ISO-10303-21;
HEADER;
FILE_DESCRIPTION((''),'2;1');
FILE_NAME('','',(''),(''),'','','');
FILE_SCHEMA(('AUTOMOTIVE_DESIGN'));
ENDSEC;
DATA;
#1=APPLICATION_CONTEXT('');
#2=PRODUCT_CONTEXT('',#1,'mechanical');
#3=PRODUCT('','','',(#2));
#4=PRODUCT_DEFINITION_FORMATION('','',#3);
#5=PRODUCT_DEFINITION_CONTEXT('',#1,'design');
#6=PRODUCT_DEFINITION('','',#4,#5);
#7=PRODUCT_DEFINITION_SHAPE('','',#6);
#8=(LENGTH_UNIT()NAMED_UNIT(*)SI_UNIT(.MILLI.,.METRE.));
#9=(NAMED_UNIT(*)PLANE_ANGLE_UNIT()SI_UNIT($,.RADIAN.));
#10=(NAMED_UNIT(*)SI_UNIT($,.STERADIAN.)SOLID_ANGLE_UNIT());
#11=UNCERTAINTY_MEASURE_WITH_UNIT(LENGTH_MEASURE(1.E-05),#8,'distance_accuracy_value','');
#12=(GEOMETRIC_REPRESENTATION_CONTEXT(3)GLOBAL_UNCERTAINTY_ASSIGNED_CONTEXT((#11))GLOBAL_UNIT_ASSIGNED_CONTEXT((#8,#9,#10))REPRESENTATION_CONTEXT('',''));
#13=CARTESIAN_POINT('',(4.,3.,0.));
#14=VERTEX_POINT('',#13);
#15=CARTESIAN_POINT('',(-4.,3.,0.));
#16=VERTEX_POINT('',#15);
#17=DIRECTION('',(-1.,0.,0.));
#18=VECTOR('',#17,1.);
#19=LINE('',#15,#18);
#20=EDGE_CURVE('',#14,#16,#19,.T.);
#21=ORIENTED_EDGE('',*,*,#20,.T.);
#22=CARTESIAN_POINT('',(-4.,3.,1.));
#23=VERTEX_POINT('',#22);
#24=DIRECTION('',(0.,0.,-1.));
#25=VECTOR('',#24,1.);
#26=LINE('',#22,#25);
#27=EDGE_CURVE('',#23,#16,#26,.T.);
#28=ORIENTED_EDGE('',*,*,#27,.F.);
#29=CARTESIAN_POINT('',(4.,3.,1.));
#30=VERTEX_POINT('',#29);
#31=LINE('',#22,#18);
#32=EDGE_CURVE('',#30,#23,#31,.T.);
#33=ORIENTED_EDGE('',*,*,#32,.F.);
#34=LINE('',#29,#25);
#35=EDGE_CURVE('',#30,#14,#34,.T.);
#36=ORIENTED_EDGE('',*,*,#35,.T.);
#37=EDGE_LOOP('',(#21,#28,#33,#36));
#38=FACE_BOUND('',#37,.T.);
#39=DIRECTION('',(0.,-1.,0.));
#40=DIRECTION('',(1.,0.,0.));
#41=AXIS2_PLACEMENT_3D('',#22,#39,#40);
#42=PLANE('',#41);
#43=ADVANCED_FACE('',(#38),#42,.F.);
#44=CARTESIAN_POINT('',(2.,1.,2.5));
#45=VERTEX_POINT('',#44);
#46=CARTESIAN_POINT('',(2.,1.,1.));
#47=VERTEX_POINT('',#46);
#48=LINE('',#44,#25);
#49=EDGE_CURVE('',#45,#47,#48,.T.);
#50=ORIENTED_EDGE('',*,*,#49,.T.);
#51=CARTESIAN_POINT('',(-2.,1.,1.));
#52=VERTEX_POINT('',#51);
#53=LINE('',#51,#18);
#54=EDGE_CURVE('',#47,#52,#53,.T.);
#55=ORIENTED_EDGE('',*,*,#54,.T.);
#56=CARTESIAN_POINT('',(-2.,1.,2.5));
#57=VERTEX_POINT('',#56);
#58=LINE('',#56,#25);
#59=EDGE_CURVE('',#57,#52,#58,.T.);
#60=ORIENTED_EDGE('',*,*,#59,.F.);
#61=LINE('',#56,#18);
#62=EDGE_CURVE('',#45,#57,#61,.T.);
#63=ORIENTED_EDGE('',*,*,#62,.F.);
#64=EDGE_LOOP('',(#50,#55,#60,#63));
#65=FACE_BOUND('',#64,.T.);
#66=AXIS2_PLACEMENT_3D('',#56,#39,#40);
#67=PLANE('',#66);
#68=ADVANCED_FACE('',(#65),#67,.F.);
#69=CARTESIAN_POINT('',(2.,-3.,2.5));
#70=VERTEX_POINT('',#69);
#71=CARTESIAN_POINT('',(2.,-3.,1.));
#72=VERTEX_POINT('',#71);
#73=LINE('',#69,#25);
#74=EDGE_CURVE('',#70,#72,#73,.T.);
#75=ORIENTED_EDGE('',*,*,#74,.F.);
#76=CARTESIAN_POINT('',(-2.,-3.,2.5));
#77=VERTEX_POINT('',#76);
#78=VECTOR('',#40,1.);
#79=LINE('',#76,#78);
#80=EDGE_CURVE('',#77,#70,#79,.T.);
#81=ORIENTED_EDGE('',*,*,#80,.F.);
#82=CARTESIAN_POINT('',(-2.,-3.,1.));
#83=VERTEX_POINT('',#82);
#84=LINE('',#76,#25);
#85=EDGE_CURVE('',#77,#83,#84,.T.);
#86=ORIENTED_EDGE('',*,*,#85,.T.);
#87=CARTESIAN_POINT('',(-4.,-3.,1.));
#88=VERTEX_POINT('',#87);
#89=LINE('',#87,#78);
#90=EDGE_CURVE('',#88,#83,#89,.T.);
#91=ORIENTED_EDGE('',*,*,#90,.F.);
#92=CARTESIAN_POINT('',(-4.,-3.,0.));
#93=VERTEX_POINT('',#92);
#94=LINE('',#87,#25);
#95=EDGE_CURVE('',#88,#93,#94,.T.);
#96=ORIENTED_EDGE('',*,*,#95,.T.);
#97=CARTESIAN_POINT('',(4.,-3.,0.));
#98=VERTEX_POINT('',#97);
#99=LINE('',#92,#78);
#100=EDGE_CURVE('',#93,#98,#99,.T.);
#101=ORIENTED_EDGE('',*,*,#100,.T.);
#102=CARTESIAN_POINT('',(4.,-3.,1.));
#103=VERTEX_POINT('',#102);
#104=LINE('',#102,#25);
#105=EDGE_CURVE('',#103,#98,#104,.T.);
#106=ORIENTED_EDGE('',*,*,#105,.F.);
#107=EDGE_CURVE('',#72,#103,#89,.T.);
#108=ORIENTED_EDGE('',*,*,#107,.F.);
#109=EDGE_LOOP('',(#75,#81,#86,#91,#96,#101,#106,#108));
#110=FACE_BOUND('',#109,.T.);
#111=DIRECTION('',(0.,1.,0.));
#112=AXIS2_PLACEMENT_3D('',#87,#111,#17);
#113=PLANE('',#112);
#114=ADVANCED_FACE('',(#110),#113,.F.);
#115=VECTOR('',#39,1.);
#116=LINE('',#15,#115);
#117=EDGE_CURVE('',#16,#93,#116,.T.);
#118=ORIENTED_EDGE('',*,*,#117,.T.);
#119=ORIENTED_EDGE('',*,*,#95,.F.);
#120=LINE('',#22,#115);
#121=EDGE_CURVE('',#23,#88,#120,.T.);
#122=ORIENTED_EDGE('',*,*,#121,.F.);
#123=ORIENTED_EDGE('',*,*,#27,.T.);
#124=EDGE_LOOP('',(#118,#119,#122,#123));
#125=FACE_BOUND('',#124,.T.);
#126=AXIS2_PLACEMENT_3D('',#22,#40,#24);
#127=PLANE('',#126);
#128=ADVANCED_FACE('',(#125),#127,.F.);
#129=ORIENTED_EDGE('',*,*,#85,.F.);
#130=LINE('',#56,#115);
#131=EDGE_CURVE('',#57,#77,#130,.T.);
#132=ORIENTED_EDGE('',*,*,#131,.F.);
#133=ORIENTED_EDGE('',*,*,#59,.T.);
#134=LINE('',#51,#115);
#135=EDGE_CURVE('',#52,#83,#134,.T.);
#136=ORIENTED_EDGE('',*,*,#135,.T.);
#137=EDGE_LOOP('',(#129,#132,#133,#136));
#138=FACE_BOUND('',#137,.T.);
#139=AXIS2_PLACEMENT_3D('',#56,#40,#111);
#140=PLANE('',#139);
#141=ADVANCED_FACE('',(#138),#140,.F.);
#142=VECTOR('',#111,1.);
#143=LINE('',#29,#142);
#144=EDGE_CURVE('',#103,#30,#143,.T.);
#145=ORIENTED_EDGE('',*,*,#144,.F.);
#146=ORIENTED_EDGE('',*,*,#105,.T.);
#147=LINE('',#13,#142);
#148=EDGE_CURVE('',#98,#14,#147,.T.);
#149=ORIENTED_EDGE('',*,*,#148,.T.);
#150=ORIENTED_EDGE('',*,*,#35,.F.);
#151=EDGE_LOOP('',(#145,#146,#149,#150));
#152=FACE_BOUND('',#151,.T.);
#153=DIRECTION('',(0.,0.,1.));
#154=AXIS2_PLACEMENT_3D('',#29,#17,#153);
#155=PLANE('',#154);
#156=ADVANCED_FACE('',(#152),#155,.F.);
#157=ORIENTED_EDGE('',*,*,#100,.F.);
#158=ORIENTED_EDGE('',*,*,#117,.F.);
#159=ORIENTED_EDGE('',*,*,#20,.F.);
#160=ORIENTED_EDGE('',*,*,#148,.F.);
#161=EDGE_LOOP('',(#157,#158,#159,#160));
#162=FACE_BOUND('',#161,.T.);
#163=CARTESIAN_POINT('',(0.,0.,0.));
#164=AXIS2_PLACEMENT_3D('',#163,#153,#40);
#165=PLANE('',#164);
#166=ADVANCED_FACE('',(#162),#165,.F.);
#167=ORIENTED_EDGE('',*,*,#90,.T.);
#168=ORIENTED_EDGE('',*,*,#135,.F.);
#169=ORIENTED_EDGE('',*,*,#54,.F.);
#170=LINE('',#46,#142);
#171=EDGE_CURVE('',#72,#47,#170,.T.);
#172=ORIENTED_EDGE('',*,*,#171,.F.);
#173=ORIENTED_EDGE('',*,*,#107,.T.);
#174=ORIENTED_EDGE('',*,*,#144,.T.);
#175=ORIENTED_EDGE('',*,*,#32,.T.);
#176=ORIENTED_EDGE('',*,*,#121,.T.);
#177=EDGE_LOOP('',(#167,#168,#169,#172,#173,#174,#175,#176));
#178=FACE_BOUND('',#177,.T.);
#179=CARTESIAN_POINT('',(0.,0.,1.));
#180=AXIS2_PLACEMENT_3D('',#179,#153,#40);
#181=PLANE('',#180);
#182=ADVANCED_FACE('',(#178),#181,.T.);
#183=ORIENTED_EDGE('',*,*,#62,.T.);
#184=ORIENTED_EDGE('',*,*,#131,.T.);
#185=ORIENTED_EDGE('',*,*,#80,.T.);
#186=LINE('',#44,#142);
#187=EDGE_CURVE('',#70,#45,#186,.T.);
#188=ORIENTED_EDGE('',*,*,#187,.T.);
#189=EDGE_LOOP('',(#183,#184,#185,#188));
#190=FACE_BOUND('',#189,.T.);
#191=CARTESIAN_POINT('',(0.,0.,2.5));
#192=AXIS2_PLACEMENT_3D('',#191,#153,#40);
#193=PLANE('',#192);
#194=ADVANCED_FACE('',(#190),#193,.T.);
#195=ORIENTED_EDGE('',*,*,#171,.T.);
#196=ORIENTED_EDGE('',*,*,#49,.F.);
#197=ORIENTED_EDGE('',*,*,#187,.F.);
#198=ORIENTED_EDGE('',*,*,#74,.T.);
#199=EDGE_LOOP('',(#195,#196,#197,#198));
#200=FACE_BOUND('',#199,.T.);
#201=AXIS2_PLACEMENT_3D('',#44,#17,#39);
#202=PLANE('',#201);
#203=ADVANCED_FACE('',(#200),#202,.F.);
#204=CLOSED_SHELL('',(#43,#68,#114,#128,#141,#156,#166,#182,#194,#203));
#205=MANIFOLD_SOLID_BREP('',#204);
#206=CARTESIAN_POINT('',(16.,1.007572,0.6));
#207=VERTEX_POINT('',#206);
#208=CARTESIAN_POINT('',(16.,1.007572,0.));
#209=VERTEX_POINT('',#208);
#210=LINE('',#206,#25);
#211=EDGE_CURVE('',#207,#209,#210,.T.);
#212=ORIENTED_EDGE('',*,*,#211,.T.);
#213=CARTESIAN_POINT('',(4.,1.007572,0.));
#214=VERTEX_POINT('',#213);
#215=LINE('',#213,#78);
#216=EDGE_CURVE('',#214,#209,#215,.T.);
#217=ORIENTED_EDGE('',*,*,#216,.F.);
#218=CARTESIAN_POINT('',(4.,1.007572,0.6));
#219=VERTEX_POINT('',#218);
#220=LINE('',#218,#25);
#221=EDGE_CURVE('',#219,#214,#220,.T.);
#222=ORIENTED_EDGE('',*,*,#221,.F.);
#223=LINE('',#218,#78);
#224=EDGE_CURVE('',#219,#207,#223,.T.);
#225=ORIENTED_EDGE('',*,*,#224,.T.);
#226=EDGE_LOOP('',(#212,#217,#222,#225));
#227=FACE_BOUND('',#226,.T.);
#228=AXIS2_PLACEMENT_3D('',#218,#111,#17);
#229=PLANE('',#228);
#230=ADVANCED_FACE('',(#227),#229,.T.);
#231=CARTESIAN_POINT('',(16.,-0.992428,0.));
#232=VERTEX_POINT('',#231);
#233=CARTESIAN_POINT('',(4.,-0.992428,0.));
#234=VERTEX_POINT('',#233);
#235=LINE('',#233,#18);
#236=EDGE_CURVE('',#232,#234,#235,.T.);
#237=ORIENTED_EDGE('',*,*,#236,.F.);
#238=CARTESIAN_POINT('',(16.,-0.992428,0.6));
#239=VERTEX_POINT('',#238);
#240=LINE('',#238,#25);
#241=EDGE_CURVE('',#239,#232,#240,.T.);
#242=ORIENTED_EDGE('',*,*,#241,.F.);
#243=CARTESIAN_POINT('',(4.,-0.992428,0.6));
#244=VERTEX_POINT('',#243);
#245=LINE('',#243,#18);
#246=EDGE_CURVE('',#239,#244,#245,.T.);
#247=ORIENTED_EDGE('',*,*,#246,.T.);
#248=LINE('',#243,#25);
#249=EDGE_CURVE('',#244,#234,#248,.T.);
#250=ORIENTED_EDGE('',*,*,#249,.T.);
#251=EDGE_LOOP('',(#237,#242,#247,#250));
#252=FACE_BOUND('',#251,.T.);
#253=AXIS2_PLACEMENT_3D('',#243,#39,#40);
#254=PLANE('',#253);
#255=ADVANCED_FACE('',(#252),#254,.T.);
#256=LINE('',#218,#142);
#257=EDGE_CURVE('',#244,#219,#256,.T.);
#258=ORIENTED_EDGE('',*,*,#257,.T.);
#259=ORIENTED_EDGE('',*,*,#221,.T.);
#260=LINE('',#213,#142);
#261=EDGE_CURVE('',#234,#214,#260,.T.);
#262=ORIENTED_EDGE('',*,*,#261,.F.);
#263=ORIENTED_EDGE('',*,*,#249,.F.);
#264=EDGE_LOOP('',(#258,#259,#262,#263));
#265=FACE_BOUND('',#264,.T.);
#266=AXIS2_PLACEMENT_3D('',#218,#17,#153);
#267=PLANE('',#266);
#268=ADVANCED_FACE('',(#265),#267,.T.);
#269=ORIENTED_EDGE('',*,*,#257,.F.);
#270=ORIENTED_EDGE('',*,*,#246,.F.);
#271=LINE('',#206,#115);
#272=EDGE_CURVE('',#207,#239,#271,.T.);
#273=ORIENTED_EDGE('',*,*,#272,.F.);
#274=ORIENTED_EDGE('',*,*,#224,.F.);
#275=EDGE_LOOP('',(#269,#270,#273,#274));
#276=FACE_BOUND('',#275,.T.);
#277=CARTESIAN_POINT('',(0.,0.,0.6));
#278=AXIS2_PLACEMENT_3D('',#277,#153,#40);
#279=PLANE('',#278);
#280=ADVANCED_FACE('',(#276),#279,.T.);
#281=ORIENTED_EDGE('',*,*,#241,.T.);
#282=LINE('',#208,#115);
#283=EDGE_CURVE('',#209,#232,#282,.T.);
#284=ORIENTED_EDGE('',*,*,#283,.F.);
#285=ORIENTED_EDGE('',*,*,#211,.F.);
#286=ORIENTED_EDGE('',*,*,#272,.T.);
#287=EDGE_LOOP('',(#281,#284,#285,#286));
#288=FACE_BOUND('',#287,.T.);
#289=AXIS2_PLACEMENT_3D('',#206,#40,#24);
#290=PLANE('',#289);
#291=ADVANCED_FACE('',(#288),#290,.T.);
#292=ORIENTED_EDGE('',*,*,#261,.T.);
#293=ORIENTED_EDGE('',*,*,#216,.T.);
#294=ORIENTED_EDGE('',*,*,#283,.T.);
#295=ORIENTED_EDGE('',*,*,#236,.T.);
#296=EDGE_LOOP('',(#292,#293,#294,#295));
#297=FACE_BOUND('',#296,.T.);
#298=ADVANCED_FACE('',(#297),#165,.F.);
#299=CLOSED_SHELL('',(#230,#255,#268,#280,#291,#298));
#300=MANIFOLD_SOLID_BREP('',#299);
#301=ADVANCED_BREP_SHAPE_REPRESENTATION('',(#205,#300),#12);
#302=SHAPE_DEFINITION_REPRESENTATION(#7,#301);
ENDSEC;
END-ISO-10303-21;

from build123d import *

# Parameters (mm, degrees)
SKETCH1_W           = 8
SKETCH1_H           = 6
BOSS_EXTRUDE1_DEPTH = 1
SKETCH2_W           = 4
SKETCH2_H           = 4
BOSS_EXTRUDE2_DEPTH = 1.5
SKETCH3_W           = 12
SKETCH3_H           = 2
BOSS_EXTRUDE3_DEPTH = 0.6


with BuildPart() as part:
    # Sketch1 → Boss-Extrude1 (new body)
    with BuildSketch(Plane.XY):
        Rectangle(SKETCH1_W, SKETCH1_H)
    extrude(amount=BOSS_EXTRUDE1_DEPTH)

    # Sketch2 → Boss-Extrude2 (add)
    with BuildSketch(Plane.XY.offset(1)):
        with Locations((0, -1)):
            Rectangle(SKETCH2_W, SKETCH2_H)
    extrude(amount=BOSS_EXTRUDE2_DEPTH)


with BuildPart() as body_2:
    # Sketch3 → Boss-Extrude3 (new body)
    with BuildSketch(Plane(origin=(0, 0, 0), x_dir=(-1, 0, 0), z_dir=(0, 0, -1))):
        with Locations((-10, 0.007571997)):
            Rectangle(SKETCH3_W, SKETCH3_H)
    extrude(amount=-BOSS_EXTRUDE3_DEPTH)


solid = Compound([part.part, body_2.part])
